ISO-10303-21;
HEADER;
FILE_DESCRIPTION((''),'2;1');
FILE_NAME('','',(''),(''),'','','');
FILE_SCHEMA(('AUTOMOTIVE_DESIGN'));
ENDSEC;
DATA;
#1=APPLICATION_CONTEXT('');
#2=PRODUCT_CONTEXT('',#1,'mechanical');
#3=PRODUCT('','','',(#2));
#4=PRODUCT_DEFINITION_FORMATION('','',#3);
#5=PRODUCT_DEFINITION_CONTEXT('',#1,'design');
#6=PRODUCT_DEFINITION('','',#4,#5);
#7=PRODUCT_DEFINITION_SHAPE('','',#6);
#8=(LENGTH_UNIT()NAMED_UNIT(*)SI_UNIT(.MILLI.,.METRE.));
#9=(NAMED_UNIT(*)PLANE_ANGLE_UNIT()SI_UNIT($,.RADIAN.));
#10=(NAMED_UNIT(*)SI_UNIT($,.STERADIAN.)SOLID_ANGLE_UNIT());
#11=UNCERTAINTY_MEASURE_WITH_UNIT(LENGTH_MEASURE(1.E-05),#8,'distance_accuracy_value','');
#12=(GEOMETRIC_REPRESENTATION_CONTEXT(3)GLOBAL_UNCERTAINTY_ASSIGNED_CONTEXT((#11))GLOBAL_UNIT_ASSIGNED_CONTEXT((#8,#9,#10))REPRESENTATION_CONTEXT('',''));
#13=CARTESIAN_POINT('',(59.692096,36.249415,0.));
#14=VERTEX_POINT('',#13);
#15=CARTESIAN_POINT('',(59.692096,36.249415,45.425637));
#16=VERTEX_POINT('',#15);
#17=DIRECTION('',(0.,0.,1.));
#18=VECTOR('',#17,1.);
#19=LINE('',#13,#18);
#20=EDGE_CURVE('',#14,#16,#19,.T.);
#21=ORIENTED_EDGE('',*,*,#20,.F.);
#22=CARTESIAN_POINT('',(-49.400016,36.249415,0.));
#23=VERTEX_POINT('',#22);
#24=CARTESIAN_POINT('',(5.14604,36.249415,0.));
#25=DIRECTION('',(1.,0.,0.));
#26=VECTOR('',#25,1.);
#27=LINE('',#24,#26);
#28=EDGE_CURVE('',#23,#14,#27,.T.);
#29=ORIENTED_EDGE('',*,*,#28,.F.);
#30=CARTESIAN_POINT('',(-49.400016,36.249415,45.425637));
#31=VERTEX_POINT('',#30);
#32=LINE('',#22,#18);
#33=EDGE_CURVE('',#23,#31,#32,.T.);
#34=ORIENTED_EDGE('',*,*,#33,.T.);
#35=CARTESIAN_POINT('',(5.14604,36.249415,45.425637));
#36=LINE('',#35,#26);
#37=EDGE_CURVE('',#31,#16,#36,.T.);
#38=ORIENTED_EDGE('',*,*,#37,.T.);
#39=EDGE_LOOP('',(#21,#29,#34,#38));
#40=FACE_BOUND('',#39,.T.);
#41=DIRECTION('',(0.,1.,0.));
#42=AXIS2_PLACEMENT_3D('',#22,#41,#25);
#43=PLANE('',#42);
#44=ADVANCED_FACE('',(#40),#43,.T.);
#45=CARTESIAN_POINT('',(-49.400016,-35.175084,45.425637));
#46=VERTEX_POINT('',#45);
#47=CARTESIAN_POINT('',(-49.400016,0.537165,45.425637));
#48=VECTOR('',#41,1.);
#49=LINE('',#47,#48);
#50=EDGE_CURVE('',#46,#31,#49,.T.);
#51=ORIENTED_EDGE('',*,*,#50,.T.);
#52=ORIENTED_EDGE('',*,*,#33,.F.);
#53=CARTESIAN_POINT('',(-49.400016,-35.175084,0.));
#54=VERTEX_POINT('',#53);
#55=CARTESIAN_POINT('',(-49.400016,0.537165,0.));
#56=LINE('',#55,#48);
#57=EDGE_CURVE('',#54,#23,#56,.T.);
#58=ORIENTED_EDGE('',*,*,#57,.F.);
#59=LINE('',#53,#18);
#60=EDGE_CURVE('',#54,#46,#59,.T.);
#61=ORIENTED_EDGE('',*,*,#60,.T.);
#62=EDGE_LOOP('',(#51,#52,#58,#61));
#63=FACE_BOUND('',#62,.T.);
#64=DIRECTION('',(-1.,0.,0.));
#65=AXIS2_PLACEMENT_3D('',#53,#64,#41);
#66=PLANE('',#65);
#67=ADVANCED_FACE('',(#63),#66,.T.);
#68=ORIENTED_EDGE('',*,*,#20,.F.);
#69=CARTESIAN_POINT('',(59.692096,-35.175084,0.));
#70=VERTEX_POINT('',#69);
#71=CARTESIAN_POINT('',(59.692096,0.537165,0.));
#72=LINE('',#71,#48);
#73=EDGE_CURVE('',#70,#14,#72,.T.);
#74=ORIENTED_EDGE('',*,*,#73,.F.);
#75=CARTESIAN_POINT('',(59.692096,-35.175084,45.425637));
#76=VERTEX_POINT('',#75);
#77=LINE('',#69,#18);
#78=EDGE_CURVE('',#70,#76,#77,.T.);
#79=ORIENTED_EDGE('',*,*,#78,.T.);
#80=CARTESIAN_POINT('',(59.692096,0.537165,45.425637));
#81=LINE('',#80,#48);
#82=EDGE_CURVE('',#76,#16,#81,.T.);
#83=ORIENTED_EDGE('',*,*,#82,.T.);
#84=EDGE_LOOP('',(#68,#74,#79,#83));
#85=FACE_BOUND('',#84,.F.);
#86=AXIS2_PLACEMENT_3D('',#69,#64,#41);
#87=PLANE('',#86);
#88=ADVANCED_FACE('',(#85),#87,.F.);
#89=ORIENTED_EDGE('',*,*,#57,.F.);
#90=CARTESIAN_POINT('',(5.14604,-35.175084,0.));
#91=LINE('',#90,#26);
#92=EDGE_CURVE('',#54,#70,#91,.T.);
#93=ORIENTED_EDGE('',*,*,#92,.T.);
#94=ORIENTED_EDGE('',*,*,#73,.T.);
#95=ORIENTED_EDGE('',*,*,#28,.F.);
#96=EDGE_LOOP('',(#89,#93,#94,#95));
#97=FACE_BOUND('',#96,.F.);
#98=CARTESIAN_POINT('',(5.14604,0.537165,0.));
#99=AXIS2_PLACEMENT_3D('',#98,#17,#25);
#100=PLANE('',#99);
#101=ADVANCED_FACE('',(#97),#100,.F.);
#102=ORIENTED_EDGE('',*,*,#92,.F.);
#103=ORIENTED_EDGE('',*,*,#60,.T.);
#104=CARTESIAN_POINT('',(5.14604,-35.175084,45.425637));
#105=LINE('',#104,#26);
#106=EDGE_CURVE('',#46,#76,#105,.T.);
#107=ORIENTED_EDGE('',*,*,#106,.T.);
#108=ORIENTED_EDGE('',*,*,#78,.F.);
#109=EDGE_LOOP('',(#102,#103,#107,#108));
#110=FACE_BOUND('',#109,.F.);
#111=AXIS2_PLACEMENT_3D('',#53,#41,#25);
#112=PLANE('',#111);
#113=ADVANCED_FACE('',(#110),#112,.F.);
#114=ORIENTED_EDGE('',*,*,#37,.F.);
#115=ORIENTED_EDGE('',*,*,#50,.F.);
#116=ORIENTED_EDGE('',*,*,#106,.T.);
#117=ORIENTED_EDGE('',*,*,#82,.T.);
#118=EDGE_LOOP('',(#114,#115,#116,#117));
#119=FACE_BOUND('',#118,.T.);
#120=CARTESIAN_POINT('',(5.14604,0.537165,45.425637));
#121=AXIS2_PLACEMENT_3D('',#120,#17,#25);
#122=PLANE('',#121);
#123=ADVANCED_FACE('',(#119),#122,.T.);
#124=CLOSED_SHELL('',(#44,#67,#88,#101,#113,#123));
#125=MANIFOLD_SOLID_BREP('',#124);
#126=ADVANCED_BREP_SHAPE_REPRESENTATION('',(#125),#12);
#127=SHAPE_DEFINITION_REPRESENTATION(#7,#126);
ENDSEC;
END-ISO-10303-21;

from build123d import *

# Parameters (mm, degrees)
F1_W     = 109.092113
F1_H     = 71.424499
F2_DEPTH = 45.425637


with BuildPart() as f2:
    # F1 (on face) → F2 (new body)
    with BuildSketch(Plane.XY):
        with Locations((5.14604, 0.537165)):
            Rectangle(F1_W, F1_H)
    extrude(amount=F2_DEPTH)


solid = f2.part
